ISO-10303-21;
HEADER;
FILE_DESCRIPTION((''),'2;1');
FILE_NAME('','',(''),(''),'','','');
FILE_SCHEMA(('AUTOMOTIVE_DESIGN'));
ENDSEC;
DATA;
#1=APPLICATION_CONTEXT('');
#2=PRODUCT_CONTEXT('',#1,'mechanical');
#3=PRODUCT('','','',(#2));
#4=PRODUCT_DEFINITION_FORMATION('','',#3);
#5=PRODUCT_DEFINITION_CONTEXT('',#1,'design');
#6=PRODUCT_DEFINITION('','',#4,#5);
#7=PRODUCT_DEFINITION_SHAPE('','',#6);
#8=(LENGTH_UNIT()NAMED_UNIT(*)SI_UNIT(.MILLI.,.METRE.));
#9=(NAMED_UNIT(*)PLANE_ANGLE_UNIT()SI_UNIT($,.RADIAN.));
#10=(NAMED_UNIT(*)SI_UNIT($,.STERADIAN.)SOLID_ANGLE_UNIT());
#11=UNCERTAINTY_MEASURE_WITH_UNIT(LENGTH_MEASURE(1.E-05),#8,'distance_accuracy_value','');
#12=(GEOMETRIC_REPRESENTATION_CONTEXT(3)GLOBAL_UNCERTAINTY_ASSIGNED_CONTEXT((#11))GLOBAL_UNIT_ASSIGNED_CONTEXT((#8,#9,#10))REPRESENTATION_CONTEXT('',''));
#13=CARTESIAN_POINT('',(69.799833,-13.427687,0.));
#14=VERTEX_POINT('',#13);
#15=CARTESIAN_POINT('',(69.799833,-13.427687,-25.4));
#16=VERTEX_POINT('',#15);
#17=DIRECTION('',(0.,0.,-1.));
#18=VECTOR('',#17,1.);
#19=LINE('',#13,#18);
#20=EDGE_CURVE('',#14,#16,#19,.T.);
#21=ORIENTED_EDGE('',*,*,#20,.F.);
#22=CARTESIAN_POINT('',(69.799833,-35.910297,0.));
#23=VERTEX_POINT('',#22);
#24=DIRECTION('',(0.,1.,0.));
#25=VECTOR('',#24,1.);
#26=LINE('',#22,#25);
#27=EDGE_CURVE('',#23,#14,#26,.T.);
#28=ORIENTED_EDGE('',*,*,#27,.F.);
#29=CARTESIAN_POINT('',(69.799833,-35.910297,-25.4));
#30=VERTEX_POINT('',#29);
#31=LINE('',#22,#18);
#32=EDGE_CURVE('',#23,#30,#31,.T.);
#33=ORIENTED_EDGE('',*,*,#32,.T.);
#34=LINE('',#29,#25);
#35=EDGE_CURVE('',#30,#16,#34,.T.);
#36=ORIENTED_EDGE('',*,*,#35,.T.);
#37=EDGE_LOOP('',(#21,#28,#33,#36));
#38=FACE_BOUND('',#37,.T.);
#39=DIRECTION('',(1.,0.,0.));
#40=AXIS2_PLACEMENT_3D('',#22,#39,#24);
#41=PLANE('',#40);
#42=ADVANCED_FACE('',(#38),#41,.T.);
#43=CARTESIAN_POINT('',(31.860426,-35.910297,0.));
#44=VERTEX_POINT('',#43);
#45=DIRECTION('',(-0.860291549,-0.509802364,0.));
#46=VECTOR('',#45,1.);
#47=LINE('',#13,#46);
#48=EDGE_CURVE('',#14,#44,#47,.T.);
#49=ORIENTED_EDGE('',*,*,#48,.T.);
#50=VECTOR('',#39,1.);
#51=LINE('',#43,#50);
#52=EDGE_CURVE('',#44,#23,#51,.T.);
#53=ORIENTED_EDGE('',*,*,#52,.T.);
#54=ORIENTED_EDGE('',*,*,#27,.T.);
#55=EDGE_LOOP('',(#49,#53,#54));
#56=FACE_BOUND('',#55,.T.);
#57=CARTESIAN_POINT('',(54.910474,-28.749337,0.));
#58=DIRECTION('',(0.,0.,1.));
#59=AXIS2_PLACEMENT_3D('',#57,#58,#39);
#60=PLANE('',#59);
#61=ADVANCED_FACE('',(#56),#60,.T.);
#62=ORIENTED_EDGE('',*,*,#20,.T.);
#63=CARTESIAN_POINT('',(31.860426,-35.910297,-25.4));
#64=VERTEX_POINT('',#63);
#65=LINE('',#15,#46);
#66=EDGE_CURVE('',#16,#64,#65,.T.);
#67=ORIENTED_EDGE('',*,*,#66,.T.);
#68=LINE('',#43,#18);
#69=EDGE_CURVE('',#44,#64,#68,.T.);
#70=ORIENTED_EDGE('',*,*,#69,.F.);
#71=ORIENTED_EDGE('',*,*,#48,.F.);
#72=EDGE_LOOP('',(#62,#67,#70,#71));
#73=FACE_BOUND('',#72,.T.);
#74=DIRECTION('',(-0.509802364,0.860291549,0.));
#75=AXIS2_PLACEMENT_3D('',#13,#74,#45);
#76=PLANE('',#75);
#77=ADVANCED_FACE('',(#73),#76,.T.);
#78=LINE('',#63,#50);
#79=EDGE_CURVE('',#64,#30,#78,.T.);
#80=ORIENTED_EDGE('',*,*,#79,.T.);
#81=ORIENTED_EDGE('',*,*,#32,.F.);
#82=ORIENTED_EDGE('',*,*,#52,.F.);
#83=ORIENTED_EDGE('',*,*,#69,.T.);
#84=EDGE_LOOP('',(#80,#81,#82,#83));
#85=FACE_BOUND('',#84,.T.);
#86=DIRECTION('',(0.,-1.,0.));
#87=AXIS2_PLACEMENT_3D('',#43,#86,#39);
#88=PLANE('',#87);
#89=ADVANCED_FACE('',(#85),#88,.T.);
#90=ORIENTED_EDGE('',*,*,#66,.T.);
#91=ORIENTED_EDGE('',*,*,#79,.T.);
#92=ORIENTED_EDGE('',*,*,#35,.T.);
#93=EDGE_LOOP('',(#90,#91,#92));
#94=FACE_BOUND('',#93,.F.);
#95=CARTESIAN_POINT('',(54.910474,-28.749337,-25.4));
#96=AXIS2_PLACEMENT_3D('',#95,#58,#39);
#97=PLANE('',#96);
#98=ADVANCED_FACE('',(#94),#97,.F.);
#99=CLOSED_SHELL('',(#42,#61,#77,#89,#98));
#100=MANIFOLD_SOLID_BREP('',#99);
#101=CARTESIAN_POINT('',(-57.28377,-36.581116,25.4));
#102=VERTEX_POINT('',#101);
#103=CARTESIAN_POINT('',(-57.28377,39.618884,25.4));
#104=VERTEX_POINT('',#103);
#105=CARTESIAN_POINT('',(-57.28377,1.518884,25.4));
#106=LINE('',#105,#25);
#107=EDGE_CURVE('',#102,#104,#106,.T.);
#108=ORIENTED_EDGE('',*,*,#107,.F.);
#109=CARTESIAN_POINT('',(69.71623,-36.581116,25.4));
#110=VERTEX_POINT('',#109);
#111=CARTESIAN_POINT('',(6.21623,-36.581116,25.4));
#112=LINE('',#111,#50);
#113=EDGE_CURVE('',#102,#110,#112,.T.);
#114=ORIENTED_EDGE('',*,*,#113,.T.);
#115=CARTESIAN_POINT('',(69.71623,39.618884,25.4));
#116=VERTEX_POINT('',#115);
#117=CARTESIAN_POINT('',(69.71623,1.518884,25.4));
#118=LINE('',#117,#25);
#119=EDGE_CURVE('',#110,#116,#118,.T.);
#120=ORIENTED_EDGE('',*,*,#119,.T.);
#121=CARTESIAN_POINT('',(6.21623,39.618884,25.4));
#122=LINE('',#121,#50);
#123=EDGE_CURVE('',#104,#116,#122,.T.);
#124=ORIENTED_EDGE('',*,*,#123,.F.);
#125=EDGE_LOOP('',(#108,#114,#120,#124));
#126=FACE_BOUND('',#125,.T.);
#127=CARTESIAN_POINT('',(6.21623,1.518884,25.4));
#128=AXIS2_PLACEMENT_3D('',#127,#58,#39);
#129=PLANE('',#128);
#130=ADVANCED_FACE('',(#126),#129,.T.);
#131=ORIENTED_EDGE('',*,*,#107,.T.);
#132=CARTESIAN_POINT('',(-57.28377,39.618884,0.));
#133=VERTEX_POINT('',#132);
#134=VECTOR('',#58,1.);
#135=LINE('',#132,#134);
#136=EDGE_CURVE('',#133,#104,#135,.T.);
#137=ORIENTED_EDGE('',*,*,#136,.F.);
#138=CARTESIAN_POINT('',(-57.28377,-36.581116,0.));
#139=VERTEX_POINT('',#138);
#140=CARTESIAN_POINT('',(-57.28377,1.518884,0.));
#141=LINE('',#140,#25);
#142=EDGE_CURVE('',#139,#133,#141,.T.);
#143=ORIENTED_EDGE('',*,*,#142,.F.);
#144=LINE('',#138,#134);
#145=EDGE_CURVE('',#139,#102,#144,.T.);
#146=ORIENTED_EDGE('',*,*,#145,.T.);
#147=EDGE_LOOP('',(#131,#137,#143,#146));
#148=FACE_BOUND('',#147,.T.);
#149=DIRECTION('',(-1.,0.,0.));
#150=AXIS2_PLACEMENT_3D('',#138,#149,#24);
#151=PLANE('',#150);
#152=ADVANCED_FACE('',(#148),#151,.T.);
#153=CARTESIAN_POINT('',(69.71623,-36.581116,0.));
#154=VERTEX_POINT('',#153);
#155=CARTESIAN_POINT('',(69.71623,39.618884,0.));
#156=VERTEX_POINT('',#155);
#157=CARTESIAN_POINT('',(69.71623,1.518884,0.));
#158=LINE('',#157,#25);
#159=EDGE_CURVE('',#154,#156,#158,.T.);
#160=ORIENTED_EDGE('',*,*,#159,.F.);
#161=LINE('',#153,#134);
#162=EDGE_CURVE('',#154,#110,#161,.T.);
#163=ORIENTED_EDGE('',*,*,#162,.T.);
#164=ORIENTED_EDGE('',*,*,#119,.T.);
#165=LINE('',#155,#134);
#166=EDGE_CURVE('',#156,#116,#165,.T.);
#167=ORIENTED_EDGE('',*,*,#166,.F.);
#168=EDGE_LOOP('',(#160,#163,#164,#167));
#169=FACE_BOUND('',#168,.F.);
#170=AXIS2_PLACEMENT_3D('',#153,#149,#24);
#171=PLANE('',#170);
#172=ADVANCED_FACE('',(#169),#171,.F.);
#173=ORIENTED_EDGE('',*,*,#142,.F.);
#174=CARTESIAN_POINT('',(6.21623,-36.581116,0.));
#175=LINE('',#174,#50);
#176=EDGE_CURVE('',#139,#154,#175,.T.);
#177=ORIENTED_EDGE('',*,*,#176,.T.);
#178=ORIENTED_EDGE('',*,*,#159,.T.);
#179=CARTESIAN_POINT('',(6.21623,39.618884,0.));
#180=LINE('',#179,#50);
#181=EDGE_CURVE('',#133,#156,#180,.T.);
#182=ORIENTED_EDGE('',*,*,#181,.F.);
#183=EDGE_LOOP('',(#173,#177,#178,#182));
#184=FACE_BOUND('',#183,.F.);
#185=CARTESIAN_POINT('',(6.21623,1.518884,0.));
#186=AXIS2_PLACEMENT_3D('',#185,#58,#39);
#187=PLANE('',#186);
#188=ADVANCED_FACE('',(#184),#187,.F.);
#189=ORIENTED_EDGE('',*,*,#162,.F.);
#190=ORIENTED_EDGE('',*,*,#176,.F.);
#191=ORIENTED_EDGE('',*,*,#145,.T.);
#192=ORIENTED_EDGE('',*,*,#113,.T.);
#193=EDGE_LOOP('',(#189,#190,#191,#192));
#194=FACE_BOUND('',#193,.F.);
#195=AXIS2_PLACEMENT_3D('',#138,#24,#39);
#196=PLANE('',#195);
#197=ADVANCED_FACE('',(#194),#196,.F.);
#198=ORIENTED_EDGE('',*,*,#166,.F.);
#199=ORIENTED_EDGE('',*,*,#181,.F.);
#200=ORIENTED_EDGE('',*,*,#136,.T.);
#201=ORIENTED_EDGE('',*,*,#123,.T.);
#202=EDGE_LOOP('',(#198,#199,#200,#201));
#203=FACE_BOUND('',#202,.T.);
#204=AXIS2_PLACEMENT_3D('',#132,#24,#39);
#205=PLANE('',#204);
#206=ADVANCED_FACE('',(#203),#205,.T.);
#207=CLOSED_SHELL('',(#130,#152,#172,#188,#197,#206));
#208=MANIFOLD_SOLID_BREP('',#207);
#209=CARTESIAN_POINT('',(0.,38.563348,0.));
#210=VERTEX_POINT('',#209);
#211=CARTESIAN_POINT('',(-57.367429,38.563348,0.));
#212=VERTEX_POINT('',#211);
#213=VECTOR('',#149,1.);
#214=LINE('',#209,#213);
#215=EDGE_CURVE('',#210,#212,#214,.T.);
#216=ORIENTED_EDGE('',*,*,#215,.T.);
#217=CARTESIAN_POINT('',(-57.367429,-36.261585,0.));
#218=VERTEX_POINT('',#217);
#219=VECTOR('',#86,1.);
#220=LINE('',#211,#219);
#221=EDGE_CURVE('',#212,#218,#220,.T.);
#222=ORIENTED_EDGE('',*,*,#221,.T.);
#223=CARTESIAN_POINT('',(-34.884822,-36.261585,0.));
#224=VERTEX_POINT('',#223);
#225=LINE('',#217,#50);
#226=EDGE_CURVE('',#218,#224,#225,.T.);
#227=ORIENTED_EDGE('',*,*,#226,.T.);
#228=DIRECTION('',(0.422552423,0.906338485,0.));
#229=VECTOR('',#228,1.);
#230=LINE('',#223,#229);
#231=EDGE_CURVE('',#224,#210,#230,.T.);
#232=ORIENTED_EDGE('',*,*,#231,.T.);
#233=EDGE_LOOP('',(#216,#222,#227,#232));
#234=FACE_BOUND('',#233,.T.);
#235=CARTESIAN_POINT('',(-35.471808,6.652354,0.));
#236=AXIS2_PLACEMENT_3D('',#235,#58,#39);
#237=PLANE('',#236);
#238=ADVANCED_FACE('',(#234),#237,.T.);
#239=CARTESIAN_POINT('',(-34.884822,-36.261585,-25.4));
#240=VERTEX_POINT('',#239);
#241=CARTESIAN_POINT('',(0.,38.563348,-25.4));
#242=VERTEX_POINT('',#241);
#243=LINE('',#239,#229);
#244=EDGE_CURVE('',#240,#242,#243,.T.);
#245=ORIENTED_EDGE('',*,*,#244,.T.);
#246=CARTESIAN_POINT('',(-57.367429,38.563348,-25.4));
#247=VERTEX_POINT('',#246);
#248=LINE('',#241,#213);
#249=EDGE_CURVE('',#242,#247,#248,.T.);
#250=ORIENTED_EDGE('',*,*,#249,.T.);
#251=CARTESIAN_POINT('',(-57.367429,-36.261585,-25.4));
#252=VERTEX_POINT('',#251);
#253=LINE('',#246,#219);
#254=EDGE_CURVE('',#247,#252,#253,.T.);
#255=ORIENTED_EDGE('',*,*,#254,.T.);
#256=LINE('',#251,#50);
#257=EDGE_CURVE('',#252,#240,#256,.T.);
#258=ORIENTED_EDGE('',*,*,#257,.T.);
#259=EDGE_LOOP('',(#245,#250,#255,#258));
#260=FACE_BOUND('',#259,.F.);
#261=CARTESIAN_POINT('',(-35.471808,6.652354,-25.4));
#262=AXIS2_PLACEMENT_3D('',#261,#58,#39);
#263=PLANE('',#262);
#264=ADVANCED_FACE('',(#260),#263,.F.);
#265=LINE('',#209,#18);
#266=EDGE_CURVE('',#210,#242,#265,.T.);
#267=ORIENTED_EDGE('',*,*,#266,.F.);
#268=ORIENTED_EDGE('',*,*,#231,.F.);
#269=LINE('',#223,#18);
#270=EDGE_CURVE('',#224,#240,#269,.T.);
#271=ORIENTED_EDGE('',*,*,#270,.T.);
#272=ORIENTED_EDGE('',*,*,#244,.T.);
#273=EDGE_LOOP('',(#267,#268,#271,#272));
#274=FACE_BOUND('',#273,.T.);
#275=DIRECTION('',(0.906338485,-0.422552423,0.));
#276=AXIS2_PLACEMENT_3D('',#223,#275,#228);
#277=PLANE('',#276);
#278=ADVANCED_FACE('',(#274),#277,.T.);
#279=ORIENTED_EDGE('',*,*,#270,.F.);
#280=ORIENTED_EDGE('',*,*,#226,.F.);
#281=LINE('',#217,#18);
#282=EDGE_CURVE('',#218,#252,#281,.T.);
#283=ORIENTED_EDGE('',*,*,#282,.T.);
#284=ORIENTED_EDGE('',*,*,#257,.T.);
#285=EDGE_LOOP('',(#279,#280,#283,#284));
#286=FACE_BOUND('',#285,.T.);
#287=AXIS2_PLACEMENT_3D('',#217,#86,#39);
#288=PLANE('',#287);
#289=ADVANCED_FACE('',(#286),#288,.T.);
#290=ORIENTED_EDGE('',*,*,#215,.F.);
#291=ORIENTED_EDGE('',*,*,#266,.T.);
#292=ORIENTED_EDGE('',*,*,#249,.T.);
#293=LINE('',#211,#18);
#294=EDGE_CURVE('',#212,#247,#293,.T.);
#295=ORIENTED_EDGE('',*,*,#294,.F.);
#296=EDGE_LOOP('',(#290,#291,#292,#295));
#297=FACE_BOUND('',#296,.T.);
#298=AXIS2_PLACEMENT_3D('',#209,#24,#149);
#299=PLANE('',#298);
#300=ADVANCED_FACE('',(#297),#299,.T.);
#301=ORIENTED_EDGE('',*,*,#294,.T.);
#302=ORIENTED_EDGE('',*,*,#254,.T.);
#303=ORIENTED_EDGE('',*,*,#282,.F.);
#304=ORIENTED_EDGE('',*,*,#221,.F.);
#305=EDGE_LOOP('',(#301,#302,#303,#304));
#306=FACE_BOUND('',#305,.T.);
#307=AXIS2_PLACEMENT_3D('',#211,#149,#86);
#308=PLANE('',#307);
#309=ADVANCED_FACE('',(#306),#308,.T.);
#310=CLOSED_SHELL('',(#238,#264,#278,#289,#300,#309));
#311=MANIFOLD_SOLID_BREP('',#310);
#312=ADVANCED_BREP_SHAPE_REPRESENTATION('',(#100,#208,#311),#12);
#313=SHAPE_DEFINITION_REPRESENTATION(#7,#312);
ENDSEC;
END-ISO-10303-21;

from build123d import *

# Parameters (mm, degrees)
F0_W     = 127
F0_H     = 76.2
F1_DEPTH = 25.4
F3_DEPTH = 25.4


with BuildPart() as f1:
    # F0 (on Top) → F1 (new body)
    with BuildSketch(Plane.XY):
        with Locations((6.21623, 1.518884)):
            Rectangle(F0_W, F0_H)
    extrude(amount=F1_DEPTH)


with BuildPart() as f3:
    # F2 (on Top) → F3 (new body)
    with BuildSketch(Plane.XY):
        Polygon((-57.367429, 38.563348), (-57.367429, -36.261585), (-34.884822, -36.261585), (0, 38.563348), align=None)
        Polygon((31.860426, -35.910297), (69.799833, -35.910297), (69.799833, -13.427687), align=None)
    extrude(amount=-F3_DEPTH)


solid = Compound([f1.part, f3.part])
